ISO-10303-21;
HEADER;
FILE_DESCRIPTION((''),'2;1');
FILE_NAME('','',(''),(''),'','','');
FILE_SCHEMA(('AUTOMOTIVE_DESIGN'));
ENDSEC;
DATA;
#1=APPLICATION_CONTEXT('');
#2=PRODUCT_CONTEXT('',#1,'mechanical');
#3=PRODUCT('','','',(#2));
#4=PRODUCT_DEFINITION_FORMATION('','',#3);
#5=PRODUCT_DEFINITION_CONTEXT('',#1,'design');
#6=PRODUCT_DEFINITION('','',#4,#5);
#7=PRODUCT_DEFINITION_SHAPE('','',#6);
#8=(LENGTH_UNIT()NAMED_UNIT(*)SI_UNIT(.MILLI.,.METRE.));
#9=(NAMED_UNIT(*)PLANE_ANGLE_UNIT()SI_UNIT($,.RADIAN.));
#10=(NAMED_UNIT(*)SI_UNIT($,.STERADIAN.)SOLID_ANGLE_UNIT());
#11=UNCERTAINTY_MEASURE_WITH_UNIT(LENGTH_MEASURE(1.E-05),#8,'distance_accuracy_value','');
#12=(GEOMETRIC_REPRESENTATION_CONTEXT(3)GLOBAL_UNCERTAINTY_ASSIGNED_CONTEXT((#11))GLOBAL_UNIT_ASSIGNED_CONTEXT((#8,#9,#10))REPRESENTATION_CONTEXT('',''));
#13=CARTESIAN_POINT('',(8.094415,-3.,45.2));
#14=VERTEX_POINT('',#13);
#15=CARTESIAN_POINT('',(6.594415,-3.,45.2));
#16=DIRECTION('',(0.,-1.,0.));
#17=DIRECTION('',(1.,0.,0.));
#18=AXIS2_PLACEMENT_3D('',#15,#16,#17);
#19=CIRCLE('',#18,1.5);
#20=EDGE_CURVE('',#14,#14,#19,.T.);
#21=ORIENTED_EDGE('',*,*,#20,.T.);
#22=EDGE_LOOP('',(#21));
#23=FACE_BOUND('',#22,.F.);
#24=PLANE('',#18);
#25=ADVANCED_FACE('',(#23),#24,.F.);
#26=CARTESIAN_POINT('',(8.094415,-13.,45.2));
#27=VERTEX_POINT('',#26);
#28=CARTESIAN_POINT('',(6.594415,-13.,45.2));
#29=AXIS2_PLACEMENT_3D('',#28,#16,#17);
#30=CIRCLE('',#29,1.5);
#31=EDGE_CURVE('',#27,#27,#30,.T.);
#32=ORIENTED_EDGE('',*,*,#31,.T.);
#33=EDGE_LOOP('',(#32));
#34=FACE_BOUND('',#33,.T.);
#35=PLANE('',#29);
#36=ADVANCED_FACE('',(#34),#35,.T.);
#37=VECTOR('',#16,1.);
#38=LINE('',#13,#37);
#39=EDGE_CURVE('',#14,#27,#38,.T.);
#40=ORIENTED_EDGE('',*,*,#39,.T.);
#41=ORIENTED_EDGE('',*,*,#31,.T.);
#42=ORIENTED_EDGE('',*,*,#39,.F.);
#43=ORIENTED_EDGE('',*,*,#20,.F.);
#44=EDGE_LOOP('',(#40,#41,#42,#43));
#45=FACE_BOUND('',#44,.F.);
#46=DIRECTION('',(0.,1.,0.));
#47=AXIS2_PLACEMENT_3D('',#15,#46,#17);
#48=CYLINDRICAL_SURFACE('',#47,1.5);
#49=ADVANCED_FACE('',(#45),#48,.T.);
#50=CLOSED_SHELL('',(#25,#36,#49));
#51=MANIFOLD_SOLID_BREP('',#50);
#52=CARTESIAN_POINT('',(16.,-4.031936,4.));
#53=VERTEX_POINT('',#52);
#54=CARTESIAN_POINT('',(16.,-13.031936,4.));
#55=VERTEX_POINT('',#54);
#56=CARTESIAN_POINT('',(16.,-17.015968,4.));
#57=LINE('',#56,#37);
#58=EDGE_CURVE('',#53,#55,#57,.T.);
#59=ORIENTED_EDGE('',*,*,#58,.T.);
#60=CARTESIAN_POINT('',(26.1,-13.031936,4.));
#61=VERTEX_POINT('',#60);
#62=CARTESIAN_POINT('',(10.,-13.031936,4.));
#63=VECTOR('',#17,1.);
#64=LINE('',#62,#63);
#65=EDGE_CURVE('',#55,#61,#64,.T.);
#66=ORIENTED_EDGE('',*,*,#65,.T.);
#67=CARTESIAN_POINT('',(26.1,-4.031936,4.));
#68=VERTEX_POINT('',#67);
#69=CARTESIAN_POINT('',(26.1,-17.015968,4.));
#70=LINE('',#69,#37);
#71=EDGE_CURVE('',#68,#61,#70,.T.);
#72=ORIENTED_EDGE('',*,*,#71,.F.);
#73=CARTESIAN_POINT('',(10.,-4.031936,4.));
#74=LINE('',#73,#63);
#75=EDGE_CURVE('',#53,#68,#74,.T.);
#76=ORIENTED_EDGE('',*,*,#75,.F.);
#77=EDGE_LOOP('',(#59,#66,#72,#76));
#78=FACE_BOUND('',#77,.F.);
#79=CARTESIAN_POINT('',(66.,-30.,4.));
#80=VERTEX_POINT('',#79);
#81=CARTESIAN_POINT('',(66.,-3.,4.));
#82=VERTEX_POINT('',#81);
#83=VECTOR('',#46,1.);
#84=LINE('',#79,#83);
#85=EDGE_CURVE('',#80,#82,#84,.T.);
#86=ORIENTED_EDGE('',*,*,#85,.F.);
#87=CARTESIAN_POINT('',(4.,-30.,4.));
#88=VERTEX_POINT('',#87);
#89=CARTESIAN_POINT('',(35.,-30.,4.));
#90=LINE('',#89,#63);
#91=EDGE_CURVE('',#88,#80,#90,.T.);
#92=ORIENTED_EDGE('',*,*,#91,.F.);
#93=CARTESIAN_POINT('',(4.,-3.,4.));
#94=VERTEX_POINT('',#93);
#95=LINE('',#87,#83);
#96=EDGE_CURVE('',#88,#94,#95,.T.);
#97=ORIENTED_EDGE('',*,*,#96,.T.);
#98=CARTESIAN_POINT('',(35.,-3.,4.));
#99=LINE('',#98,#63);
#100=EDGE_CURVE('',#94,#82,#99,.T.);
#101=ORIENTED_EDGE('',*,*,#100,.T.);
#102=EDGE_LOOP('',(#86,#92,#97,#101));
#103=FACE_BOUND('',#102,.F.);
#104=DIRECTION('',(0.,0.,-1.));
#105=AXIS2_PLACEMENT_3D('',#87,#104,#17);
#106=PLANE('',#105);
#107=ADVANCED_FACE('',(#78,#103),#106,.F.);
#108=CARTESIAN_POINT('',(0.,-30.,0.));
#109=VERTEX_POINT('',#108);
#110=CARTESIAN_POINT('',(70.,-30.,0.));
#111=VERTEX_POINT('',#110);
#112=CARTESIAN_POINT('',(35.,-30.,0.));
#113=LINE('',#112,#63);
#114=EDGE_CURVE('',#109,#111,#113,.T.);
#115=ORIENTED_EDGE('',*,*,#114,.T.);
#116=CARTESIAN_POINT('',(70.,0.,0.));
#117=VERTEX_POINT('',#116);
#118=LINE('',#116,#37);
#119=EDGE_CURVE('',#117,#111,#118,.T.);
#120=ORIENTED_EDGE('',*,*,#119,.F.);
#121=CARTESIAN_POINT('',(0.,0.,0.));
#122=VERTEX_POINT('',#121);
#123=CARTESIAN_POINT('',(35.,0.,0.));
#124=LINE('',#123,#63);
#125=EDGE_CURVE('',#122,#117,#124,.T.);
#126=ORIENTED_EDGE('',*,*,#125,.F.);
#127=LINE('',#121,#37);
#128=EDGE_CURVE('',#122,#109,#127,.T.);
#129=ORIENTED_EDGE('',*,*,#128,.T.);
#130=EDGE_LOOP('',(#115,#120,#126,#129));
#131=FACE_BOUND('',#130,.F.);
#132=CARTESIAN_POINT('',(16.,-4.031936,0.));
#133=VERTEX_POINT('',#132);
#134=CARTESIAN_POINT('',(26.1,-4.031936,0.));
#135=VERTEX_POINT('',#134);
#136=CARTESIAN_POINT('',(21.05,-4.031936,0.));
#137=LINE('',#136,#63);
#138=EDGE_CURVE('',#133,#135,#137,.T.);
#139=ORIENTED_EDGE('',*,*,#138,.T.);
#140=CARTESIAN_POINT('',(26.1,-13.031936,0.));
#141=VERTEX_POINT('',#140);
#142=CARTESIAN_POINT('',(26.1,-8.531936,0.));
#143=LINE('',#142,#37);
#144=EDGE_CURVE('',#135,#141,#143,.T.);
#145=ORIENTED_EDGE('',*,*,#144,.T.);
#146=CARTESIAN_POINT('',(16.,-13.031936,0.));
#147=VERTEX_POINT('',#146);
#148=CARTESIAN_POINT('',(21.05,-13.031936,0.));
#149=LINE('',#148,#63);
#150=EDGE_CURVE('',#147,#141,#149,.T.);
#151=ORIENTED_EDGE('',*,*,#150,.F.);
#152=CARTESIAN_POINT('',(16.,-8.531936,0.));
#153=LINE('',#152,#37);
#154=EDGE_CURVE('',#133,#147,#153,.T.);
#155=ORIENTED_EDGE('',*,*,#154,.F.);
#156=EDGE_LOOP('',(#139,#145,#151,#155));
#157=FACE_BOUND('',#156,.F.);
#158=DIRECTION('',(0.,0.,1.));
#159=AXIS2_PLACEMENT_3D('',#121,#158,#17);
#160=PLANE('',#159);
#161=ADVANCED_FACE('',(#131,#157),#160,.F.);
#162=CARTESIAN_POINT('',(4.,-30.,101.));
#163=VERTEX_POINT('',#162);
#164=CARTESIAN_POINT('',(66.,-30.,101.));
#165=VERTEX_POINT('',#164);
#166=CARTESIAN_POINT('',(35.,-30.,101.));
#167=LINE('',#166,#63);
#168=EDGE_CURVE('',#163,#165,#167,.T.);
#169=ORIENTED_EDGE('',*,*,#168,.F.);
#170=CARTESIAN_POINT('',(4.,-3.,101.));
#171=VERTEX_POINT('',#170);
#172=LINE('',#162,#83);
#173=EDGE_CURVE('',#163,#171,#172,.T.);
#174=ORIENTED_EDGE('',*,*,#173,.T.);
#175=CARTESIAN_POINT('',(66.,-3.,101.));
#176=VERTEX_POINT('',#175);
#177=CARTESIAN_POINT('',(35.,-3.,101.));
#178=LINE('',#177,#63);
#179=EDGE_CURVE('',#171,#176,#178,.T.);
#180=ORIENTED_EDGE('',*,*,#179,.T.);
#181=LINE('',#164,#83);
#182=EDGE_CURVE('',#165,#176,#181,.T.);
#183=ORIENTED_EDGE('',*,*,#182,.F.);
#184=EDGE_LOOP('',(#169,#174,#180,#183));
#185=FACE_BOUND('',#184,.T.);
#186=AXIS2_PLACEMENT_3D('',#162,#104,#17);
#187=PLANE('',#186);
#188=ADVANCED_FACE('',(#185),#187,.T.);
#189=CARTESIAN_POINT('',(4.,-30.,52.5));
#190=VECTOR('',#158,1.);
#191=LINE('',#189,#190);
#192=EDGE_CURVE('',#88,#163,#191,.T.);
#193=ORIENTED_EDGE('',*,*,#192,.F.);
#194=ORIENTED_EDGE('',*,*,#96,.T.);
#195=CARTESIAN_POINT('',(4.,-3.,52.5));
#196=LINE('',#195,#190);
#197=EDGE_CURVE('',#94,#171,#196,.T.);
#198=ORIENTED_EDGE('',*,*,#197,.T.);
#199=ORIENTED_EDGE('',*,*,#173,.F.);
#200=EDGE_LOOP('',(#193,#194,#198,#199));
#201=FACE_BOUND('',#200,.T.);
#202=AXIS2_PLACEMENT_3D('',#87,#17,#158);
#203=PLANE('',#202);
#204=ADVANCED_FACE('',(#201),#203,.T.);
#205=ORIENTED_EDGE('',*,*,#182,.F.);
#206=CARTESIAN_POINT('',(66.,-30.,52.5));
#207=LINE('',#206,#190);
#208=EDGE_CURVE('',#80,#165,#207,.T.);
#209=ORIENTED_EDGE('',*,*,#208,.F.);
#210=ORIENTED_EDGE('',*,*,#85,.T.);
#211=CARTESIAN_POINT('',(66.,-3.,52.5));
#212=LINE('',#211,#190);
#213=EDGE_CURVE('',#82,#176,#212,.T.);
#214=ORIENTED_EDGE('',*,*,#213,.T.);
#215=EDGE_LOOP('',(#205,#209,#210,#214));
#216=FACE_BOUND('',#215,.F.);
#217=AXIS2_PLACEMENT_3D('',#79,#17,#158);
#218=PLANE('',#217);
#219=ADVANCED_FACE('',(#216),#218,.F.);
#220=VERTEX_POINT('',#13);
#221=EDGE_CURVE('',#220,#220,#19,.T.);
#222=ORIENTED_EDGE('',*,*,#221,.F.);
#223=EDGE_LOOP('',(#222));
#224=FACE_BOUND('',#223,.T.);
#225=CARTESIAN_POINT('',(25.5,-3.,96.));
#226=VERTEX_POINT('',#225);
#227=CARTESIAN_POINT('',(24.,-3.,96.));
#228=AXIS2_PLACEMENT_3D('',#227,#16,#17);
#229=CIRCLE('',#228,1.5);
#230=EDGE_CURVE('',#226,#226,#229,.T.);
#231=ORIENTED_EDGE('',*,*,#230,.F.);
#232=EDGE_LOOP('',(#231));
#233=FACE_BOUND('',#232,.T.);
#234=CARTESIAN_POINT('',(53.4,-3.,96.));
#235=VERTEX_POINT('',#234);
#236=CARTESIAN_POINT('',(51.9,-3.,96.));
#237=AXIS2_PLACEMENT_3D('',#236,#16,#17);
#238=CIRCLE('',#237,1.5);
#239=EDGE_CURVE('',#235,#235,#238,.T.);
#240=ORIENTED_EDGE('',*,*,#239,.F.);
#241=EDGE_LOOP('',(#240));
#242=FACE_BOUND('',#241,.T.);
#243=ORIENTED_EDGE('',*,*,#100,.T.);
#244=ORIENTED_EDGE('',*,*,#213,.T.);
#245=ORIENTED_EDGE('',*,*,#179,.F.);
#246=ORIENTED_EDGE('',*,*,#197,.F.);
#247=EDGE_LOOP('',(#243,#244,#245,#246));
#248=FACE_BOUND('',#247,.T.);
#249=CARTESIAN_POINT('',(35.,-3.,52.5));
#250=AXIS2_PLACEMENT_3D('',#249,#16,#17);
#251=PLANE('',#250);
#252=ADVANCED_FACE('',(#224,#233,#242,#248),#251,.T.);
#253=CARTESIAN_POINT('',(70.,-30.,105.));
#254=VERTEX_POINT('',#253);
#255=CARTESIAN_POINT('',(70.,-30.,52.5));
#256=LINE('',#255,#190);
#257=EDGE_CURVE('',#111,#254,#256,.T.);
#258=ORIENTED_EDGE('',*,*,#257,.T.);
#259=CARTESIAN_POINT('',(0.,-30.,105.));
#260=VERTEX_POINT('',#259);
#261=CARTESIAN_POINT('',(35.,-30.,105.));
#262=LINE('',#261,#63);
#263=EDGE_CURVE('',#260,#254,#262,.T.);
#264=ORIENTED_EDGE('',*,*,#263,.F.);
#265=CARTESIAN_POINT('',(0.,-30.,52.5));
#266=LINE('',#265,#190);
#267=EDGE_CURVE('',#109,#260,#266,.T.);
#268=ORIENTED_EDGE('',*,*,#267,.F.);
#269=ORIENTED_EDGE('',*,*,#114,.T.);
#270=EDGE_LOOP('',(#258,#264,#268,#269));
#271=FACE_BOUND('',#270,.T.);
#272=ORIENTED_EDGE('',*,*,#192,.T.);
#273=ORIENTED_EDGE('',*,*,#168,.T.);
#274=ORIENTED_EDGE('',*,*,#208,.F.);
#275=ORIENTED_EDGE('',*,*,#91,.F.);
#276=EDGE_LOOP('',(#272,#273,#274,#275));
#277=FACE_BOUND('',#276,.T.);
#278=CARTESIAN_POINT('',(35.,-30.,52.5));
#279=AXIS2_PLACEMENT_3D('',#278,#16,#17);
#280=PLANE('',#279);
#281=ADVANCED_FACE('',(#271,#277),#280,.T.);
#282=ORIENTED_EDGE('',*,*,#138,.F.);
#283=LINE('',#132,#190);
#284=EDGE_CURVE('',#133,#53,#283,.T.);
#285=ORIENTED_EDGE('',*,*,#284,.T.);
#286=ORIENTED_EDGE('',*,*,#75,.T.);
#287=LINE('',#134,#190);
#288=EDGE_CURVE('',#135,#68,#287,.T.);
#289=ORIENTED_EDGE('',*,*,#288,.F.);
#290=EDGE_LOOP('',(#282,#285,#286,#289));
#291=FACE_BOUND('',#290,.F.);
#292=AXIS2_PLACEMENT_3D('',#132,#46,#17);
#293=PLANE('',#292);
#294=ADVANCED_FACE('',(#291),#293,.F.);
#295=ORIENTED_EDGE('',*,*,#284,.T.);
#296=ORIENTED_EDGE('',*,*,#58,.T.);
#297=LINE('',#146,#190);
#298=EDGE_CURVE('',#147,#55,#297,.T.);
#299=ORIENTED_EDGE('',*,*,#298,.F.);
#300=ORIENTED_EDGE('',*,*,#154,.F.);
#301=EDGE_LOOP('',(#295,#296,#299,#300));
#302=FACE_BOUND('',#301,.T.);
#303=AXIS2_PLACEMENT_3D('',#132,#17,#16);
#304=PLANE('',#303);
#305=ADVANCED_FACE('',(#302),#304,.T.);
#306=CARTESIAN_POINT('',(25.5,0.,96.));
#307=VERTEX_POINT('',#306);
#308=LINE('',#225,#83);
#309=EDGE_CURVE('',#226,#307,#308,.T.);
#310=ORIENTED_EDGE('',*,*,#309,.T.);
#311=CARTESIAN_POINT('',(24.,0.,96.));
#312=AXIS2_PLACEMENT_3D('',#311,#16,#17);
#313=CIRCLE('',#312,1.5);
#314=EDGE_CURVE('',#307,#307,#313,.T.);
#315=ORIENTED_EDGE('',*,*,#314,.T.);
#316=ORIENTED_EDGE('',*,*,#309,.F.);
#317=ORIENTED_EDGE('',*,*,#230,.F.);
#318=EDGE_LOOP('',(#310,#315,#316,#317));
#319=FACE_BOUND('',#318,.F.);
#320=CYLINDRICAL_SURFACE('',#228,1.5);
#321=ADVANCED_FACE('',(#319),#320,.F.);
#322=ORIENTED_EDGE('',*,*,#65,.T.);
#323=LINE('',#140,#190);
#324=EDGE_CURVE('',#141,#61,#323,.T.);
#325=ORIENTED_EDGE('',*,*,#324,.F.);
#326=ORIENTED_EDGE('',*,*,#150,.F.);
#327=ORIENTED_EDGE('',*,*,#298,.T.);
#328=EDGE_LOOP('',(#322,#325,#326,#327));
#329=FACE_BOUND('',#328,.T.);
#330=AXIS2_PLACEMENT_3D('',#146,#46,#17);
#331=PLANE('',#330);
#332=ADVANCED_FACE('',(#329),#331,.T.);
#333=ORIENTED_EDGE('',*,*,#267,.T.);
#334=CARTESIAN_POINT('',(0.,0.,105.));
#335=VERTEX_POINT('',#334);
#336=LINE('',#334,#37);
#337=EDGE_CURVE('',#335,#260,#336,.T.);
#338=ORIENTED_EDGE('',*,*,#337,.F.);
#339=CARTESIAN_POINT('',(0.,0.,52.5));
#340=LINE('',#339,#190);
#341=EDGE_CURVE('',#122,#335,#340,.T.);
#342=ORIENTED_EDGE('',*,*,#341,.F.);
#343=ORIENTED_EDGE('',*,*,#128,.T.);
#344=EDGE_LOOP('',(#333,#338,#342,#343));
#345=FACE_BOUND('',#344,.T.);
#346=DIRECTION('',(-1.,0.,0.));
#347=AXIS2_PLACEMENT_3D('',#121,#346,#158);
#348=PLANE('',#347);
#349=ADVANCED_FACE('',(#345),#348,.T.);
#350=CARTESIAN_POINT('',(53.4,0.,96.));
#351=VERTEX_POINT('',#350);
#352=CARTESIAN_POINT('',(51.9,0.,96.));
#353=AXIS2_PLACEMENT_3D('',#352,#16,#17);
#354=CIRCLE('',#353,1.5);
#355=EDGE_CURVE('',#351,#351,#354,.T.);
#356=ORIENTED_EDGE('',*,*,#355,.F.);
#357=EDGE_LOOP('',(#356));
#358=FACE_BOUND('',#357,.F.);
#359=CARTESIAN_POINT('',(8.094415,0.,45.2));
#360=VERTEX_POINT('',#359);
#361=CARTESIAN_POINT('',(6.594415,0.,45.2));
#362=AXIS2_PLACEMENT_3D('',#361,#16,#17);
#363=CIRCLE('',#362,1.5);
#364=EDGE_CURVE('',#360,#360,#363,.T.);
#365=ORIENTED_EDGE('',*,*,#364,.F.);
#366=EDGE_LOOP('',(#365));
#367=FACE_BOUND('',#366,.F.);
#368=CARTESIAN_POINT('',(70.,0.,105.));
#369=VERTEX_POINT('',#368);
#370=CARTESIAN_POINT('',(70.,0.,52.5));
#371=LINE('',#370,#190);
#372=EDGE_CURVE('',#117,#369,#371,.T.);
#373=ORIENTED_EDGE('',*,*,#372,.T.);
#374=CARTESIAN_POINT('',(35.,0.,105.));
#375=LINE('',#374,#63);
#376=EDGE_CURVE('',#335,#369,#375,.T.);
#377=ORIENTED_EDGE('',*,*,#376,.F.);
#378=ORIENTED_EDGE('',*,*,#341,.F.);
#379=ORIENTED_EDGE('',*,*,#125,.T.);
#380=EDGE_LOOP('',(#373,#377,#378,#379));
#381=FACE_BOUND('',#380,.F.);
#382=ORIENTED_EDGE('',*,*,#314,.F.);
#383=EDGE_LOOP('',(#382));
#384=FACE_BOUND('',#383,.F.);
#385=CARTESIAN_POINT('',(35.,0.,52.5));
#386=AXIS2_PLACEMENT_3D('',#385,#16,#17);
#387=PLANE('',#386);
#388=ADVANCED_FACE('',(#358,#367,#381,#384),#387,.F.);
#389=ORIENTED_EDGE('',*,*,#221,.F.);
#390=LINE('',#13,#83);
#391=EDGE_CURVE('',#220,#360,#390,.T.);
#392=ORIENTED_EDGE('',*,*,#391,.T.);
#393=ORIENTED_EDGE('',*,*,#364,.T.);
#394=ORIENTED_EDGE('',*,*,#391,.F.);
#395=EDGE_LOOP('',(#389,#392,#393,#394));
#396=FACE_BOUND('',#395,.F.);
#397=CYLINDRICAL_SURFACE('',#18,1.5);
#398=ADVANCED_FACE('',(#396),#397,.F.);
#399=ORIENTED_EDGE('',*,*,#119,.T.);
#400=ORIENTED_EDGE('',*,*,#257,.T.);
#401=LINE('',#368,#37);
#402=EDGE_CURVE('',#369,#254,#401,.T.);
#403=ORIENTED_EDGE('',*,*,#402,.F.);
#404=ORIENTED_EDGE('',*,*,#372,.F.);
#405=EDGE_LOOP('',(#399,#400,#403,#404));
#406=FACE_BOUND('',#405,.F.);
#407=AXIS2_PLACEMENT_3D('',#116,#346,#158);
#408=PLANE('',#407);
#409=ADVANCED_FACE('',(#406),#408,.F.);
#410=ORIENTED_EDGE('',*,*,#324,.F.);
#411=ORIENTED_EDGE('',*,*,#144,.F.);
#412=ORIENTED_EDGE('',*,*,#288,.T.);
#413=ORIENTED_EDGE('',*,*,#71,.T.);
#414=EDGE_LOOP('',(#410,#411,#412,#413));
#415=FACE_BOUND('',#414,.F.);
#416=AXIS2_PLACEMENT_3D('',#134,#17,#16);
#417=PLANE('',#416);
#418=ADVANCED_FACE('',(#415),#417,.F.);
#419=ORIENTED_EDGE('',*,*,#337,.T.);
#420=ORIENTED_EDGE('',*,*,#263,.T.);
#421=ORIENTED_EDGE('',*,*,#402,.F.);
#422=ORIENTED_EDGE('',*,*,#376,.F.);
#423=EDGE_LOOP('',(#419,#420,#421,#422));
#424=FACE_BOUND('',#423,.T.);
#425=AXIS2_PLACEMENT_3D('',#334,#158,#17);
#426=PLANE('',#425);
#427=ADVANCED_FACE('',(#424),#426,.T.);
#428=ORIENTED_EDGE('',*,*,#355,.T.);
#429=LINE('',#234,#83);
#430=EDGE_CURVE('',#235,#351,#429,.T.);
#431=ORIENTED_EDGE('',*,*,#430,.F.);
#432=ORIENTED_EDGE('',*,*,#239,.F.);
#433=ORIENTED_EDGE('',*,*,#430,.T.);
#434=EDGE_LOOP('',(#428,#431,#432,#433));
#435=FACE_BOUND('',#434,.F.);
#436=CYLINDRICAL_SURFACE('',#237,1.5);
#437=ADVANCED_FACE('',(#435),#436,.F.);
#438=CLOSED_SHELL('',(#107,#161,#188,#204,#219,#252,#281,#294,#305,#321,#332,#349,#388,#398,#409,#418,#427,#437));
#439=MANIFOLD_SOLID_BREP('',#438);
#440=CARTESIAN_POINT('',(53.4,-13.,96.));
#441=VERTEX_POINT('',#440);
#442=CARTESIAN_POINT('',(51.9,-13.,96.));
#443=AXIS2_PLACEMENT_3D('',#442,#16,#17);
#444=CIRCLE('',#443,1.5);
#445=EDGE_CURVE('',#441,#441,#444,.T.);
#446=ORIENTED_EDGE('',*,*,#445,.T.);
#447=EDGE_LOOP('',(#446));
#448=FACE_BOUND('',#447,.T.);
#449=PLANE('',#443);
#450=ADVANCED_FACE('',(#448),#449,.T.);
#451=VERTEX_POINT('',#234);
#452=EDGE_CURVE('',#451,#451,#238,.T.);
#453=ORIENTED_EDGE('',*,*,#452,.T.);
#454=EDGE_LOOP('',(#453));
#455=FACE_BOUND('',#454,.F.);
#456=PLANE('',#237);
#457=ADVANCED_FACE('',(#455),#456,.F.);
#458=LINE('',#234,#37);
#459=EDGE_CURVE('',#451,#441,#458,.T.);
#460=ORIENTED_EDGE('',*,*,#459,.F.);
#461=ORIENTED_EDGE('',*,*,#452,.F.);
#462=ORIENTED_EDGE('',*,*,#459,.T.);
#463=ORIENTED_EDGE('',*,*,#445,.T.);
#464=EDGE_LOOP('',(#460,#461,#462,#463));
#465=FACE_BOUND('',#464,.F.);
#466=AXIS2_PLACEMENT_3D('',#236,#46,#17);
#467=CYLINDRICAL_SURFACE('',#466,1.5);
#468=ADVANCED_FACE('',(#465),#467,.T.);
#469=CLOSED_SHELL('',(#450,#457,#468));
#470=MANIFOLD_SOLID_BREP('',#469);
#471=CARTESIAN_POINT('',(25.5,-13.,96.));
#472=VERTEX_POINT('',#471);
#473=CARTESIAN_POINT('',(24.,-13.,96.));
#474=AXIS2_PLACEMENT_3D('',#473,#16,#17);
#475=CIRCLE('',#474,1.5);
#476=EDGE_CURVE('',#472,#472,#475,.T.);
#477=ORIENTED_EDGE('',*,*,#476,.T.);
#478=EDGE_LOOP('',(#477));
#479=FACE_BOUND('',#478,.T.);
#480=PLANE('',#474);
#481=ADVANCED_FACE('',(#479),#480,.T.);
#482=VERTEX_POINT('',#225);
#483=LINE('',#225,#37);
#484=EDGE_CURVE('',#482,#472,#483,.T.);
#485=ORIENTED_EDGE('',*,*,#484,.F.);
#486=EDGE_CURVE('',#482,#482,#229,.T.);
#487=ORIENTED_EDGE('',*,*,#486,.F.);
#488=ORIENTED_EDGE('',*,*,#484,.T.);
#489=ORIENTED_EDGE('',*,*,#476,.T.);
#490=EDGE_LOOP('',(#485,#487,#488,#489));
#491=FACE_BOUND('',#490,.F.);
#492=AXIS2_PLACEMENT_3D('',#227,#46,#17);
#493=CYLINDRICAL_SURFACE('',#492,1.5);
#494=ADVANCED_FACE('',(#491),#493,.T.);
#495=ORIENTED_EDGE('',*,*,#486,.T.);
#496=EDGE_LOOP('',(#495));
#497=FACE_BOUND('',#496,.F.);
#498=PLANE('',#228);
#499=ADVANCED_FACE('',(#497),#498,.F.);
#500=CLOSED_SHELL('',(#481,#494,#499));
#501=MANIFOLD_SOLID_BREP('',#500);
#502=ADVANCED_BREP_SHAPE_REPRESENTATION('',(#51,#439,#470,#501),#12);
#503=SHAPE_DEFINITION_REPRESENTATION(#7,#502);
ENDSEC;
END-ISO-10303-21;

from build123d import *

# Parameters (mm, degrees)
F0_W     = 70
F0_H     = 105
F1_DEPTH = 30
F2_W     = 62
F2_H     = 97
F3_DEPTH = 27
F4_R     = 1.5
F5_DEPTH = 25
F6_DEPTH = 10
F7_W     = 10.1
F7_H     = 9
F8_DEPTH = 25
F9_DEPTH = 25


with BuildPart() as f1:
    # F0 (on Front) → F1 (new body)
    with BuildSketch(Plane.XZ):
        with Locations((35, 52.5)):
            Rectangle(F0_W, F0_H)
    extrude(amount=F1_DEPTH)

    # F2 (on face) → F3 (cut)
    with BuildSketch(Plane.XZ.offset(30)):
        with Locations((35, 52.5)):
            Rectangle(F2_W, F2_H)
    extrude(amount=-F3_DEPTH, mode=Mode.SUBTRACT)

    # F4 (on face) → F5 (cut)
    with BuildSketch(Plane.XZ.offset(3)):
        with Locations((24, 96)):
            Circle(F4_R)
        with Locations((51.9, 96)):
            Circle(F4_R)
        with Locations((6.5944148228, 45.2)):
            Circle(F4_R)
    extrude(amount=-F5_DEPTH, mode=Mode.SUBTRACT)

    # F7 (on face) → F8 (cut)
    with BuildSketch(Plane(origin=(0, 0, 0), x_dir=(1, 0, 0), z_dir=(0, 0, -1))):
        with Locations((21.05, 8.5319359787)):
            Rectangle(F7_W, F7_H)
    extrude(amount=-F8_DEPTH, mode=Mode.SUBTRACT)

    # F7 (on face) → F9 (cut)
    with BuildSketch(Plane(origin=(0, 0, 0), x_dir=(1, 0, 0), z_dir=(0, 0, -1))):
        with Locations((21.05, 8.5319359787)):
            Rectangle(F7_W, F7_H)
    extrude(amount=-F9_DEPTH, mode=Mode.SUBTRACT)


with BuildPart() as f6:
    # F4 (on face) → F6 (new body)
    with BuildSketch(Plane.XZ.offset(3)):
        with Locations((24, 96)):
            Circle(F4_R)
    extrude(amount=F6_DEPTH)


with BuildPart() as f6b:
    # F4 (on face) → F6, piece 2 (new body)
    with BuildSketch(Plane.XZ.offset(3)):
        with Locations((51.9, 96)):
            Circle(F4_R)
    extrude(amount=F6_DEPTH)


with BuildPart() as f6c:
    # F4 (on face) → F6, piece 3 (new body)
    with BuildSketch(Plane.XZ.offset(3)):
        with Locations((6.5944148228, 45.2)):
            Circle(F4_R)
    extrude(amount=F6_DEPTH)


solid = Compound([f1.part, f6.part, f6b.part, f6c.part])
